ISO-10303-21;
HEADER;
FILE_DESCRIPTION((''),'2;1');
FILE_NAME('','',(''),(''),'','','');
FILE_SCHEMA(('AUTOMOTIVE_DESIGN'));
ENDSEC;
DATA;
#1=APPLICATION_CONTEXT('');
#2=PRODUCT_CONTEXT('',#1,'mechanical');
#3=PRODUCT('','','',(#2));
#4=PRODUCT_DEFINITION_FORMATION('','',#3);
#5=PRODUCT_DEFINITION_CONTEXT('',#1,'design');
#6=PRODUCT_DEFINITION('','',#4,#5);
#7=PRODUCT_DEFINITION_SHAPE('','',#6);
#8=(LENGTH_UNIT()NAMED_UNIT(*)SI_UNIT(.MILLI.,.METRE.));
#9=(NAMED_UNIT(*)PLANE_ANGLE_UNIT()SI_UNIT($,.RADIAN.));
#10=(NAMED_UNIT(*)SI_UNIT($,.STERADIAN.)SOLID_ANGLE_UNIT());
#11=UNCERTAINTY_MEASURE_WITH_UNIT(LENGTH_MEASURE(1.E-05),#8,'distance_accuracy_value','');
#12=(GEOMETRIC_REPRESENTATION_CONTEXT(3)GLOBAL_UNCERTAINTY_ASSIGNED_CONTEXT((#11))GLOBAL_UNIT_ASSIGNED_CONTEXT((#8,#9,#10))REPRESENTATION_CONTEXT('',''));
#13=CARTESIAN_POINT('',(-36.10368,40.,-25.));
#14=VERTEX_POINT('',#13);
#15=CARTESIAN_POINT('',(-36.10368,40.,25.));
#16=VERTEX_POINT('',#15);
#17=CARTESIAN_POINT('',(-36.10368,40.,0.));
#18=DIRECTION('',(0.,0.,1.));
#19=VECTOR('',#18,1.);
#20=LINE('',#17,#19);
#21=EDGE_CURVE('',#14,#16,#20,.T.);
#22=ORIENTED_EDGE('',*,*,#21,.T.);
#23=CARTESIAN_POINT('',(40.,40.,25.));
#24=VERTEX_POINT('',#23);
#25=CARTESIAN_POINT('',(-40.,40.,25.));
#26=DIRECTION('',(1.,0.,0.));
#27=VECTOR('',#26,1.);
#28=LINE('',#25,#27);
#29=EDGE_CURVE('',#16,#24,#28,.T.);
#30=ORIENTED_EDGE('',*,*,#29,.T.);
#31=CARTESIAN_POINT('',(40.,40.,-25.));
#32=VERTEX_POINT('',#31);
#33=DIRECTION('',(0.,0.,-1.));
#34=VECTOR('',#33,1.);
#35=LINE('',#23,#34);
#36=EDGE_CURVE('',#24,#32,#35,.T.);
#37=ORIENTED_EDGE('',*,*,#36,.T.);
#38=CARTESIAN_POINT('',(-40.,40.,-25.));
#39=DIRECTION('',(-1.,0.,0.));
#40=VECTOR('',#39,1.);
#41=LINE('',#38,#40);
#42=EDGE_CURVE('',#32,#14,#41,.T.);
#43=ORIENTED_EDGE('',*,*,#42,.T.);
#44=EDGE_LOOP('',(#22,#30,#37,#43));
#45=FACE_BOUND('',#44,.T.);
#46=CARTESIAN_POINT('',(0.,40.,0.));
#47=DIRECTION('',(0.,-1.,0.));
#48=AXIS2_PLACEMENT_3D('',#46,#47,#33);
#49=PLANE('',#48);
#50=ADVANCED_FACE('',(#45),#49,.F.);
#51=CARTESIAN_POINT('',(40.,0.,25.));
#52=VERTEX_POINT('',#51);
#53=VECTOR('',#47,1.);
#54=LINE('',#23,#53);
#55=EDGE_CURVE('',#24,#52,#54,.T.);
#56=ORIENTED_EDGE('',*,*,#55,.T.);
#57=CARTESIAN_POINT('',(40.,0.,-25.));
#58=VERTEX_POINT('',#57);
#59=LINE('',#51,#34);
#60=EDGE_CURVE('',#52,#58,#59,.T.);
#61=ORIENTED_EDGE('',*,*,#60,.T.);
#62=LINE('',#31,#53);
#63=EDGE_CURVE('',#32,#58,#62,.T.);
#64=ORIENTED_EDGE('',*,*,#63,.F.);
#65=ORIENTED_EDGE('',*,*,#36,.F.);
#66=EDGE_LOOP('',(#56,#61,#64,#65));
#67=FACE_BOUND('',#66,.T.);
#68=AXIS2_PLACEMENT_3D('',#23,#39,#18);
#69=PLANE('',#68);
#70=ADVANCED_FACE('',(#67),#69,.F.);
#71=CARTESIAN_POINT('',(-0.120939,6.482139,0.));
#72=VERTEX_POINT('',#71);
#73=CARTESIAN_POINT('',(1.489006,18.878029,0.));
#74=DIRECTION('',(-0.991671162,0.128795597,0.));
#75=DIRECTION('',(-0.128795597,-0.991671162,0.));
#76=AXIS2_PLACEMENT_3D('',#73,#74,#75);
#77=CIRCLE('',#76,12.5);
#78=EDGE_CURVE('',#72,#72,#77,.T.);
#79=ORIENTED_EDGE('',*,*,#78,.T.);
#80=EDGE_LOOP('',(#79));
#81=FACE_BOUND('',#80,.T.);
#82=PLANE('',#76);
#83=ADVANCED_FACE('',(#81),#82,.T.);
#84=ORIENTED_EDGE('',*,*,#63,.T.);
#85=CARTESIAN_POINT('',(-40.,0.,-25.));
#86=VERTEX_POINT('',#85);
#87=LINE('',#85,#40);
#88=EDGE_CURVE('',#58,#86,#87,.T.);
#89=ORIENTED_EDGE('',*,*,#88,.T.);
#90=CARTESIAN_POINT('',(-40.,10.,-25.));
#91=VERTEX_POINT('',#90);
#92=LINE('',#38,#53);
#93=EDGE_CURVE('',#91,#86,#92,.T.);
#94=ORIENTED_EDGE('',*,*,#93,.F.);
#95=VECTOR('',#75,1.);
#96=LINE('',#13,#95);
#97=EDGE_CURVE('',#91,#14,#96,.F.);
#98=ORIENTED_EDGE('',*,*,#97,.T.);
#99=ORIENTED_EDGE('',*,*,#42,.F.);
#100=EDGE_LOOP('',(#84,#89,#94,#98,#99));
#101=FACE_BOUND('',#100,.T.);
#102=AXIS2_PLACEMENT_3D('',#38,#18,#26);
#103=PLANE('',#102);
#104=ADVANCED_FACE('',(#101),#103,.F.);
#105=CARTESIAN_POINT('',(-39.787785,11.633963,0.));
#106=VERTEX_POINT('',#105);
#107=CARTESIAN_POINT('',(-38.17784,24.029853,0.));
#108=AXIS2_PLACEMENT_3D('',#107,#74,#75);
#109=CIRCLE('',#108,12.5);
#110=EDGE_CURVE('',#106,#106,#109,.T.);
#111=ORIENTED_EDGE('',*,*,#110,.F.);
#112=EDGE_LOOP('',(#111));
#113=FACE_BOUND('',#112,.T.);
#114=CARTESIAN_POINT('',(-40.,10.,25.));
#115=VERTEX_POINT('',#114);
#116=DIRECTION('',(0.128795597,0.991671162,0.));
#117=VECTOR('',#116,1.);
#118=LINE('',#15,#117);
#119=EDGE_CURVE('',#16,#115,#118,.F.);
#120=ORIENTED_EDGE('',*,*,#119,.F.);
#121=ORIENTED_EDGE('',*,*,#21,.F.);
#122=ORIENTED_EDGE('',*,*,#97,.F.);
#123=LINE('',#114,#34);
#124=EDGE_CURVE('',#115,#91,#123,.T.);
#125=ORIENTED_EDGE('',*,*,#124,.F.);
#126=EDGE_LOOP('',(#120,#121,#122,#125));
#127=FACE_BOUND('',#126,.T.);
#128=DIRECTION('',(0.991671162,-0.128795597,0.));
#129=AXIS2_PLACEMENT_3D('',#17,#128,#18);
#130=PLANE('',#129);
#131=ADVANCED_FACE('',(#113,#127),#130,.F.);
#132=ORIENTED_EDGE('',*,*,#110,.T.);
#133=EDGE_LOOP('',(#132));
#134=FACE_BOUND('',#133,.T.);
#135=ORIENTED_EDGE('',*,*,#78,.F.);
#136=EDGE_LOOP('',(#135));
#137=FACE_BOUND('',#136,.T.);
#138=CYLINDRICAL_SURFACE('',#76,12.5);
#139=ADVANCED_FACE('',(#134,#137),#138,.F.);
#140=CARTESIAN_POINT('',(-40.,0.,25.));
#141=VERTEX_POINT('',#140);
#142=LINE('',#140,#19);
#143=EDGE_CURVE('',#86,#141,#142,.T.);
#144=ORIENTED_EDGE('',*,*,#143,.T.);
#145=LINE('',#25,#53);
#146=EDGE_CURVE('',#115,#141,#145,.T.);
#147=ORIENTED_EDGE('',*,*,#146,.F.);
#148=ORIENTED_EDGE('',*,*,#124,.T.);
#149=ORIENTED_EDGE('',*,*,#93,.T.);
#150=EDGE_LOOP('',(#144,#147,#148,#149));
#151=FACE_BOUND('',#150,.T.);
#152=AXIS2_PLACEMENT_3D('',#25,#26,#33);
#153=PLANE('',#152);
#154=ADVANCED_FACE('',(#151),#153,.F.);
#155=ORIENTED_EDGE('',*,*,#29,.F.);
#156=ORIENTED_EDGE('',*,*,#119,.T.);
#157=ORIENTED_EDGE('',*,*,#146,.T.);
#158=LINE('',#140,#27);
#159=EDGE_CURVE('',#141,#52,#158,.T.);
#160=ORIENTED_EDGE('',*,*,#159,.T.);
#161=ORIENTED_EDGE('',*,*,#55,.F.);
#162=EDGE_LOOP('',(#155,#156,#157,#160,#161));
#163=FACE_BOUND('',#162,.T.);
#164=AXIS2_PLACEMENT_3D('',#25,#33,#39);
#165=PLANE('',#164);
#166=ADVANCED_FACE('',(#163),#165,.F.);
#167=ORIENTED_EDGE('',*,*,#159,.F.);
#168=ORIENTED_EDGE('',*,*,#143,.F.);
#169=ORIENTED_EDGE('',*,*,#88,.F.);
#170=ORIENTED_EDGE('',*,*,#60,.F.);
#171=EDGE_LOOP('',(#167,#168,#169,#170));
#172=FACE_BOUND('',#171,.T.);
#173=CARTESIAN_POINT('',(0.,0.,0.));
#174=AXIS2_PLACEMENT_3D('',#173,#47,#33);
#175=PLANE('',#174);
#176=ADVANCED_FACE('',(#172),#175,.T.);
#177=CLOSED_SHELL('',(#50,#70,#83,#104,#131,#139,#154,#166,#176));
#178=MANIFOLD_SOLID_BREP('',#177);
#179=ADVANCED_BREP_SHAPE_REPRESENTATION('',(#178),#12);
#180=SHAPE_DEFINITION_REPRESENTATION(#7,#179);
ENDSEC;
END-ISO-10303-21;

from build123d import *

# Parameters (mm, degrees)
ESQUISSE1_W             = 80
ESQUISSE1_H             = 50
BOSS_EXTRU_1_DEPTH      = 40
CHANFREIN1_SIZE         = 30
CHANFREIN1_SIZE2        = 3.896319712
ESQUISSE2_R             = 12.5
ENL_V_MAT_EXTRU_1_DEPTH = 40


with BuildPart() as part:
    # Esquisse1 → Boss.-Extru.1 (new body)
    with BuildSketch(Plane(origin=(0, 0, 0), x_dir=(1, 0, 0), z_dir=(0, 1, 0))):
        Rectangle(ESQUISSE1_W, ESQUISSE1_H)
    extrude(amount=BOSS_EXTRU_1_DEPTH)

    # Chanfrein1
    chanfrein1_edges = [part.edges().sort_by_distance(p)[0] for p in [
        (-40, 40, 0),
    ]]
    chanfrein1_side = [part.faces().sort_by_distance(p)[0] for p in [
        (-40, 20, 0),
    ]]
    chamfer(chanfrein1_edges, length=CHANFREIN1_SIZE, length2=CHANFREIN1_SIZE2, reference=chanfrein1_side[0])

    # Esquisse2 → Enlèv. mat.-Extru.1 (cut)
    with BuildSketch(Plane(origin=(-40.613696562, 5.274798216, 0), x_dir=(0, 0, 1), z_dir=(-0.9916711623830908, 0.12879559657755957, 0))):
        with Locations(Location((0, 18.912574177, 0), (0, 0, 270))):
            Circle(ESQUISSE2_R)
    extrude(amount=-ENL_V_MAT_EXTRU_1_DEPTH, mode=Mode.SUBTRACT)


solid = part.part
